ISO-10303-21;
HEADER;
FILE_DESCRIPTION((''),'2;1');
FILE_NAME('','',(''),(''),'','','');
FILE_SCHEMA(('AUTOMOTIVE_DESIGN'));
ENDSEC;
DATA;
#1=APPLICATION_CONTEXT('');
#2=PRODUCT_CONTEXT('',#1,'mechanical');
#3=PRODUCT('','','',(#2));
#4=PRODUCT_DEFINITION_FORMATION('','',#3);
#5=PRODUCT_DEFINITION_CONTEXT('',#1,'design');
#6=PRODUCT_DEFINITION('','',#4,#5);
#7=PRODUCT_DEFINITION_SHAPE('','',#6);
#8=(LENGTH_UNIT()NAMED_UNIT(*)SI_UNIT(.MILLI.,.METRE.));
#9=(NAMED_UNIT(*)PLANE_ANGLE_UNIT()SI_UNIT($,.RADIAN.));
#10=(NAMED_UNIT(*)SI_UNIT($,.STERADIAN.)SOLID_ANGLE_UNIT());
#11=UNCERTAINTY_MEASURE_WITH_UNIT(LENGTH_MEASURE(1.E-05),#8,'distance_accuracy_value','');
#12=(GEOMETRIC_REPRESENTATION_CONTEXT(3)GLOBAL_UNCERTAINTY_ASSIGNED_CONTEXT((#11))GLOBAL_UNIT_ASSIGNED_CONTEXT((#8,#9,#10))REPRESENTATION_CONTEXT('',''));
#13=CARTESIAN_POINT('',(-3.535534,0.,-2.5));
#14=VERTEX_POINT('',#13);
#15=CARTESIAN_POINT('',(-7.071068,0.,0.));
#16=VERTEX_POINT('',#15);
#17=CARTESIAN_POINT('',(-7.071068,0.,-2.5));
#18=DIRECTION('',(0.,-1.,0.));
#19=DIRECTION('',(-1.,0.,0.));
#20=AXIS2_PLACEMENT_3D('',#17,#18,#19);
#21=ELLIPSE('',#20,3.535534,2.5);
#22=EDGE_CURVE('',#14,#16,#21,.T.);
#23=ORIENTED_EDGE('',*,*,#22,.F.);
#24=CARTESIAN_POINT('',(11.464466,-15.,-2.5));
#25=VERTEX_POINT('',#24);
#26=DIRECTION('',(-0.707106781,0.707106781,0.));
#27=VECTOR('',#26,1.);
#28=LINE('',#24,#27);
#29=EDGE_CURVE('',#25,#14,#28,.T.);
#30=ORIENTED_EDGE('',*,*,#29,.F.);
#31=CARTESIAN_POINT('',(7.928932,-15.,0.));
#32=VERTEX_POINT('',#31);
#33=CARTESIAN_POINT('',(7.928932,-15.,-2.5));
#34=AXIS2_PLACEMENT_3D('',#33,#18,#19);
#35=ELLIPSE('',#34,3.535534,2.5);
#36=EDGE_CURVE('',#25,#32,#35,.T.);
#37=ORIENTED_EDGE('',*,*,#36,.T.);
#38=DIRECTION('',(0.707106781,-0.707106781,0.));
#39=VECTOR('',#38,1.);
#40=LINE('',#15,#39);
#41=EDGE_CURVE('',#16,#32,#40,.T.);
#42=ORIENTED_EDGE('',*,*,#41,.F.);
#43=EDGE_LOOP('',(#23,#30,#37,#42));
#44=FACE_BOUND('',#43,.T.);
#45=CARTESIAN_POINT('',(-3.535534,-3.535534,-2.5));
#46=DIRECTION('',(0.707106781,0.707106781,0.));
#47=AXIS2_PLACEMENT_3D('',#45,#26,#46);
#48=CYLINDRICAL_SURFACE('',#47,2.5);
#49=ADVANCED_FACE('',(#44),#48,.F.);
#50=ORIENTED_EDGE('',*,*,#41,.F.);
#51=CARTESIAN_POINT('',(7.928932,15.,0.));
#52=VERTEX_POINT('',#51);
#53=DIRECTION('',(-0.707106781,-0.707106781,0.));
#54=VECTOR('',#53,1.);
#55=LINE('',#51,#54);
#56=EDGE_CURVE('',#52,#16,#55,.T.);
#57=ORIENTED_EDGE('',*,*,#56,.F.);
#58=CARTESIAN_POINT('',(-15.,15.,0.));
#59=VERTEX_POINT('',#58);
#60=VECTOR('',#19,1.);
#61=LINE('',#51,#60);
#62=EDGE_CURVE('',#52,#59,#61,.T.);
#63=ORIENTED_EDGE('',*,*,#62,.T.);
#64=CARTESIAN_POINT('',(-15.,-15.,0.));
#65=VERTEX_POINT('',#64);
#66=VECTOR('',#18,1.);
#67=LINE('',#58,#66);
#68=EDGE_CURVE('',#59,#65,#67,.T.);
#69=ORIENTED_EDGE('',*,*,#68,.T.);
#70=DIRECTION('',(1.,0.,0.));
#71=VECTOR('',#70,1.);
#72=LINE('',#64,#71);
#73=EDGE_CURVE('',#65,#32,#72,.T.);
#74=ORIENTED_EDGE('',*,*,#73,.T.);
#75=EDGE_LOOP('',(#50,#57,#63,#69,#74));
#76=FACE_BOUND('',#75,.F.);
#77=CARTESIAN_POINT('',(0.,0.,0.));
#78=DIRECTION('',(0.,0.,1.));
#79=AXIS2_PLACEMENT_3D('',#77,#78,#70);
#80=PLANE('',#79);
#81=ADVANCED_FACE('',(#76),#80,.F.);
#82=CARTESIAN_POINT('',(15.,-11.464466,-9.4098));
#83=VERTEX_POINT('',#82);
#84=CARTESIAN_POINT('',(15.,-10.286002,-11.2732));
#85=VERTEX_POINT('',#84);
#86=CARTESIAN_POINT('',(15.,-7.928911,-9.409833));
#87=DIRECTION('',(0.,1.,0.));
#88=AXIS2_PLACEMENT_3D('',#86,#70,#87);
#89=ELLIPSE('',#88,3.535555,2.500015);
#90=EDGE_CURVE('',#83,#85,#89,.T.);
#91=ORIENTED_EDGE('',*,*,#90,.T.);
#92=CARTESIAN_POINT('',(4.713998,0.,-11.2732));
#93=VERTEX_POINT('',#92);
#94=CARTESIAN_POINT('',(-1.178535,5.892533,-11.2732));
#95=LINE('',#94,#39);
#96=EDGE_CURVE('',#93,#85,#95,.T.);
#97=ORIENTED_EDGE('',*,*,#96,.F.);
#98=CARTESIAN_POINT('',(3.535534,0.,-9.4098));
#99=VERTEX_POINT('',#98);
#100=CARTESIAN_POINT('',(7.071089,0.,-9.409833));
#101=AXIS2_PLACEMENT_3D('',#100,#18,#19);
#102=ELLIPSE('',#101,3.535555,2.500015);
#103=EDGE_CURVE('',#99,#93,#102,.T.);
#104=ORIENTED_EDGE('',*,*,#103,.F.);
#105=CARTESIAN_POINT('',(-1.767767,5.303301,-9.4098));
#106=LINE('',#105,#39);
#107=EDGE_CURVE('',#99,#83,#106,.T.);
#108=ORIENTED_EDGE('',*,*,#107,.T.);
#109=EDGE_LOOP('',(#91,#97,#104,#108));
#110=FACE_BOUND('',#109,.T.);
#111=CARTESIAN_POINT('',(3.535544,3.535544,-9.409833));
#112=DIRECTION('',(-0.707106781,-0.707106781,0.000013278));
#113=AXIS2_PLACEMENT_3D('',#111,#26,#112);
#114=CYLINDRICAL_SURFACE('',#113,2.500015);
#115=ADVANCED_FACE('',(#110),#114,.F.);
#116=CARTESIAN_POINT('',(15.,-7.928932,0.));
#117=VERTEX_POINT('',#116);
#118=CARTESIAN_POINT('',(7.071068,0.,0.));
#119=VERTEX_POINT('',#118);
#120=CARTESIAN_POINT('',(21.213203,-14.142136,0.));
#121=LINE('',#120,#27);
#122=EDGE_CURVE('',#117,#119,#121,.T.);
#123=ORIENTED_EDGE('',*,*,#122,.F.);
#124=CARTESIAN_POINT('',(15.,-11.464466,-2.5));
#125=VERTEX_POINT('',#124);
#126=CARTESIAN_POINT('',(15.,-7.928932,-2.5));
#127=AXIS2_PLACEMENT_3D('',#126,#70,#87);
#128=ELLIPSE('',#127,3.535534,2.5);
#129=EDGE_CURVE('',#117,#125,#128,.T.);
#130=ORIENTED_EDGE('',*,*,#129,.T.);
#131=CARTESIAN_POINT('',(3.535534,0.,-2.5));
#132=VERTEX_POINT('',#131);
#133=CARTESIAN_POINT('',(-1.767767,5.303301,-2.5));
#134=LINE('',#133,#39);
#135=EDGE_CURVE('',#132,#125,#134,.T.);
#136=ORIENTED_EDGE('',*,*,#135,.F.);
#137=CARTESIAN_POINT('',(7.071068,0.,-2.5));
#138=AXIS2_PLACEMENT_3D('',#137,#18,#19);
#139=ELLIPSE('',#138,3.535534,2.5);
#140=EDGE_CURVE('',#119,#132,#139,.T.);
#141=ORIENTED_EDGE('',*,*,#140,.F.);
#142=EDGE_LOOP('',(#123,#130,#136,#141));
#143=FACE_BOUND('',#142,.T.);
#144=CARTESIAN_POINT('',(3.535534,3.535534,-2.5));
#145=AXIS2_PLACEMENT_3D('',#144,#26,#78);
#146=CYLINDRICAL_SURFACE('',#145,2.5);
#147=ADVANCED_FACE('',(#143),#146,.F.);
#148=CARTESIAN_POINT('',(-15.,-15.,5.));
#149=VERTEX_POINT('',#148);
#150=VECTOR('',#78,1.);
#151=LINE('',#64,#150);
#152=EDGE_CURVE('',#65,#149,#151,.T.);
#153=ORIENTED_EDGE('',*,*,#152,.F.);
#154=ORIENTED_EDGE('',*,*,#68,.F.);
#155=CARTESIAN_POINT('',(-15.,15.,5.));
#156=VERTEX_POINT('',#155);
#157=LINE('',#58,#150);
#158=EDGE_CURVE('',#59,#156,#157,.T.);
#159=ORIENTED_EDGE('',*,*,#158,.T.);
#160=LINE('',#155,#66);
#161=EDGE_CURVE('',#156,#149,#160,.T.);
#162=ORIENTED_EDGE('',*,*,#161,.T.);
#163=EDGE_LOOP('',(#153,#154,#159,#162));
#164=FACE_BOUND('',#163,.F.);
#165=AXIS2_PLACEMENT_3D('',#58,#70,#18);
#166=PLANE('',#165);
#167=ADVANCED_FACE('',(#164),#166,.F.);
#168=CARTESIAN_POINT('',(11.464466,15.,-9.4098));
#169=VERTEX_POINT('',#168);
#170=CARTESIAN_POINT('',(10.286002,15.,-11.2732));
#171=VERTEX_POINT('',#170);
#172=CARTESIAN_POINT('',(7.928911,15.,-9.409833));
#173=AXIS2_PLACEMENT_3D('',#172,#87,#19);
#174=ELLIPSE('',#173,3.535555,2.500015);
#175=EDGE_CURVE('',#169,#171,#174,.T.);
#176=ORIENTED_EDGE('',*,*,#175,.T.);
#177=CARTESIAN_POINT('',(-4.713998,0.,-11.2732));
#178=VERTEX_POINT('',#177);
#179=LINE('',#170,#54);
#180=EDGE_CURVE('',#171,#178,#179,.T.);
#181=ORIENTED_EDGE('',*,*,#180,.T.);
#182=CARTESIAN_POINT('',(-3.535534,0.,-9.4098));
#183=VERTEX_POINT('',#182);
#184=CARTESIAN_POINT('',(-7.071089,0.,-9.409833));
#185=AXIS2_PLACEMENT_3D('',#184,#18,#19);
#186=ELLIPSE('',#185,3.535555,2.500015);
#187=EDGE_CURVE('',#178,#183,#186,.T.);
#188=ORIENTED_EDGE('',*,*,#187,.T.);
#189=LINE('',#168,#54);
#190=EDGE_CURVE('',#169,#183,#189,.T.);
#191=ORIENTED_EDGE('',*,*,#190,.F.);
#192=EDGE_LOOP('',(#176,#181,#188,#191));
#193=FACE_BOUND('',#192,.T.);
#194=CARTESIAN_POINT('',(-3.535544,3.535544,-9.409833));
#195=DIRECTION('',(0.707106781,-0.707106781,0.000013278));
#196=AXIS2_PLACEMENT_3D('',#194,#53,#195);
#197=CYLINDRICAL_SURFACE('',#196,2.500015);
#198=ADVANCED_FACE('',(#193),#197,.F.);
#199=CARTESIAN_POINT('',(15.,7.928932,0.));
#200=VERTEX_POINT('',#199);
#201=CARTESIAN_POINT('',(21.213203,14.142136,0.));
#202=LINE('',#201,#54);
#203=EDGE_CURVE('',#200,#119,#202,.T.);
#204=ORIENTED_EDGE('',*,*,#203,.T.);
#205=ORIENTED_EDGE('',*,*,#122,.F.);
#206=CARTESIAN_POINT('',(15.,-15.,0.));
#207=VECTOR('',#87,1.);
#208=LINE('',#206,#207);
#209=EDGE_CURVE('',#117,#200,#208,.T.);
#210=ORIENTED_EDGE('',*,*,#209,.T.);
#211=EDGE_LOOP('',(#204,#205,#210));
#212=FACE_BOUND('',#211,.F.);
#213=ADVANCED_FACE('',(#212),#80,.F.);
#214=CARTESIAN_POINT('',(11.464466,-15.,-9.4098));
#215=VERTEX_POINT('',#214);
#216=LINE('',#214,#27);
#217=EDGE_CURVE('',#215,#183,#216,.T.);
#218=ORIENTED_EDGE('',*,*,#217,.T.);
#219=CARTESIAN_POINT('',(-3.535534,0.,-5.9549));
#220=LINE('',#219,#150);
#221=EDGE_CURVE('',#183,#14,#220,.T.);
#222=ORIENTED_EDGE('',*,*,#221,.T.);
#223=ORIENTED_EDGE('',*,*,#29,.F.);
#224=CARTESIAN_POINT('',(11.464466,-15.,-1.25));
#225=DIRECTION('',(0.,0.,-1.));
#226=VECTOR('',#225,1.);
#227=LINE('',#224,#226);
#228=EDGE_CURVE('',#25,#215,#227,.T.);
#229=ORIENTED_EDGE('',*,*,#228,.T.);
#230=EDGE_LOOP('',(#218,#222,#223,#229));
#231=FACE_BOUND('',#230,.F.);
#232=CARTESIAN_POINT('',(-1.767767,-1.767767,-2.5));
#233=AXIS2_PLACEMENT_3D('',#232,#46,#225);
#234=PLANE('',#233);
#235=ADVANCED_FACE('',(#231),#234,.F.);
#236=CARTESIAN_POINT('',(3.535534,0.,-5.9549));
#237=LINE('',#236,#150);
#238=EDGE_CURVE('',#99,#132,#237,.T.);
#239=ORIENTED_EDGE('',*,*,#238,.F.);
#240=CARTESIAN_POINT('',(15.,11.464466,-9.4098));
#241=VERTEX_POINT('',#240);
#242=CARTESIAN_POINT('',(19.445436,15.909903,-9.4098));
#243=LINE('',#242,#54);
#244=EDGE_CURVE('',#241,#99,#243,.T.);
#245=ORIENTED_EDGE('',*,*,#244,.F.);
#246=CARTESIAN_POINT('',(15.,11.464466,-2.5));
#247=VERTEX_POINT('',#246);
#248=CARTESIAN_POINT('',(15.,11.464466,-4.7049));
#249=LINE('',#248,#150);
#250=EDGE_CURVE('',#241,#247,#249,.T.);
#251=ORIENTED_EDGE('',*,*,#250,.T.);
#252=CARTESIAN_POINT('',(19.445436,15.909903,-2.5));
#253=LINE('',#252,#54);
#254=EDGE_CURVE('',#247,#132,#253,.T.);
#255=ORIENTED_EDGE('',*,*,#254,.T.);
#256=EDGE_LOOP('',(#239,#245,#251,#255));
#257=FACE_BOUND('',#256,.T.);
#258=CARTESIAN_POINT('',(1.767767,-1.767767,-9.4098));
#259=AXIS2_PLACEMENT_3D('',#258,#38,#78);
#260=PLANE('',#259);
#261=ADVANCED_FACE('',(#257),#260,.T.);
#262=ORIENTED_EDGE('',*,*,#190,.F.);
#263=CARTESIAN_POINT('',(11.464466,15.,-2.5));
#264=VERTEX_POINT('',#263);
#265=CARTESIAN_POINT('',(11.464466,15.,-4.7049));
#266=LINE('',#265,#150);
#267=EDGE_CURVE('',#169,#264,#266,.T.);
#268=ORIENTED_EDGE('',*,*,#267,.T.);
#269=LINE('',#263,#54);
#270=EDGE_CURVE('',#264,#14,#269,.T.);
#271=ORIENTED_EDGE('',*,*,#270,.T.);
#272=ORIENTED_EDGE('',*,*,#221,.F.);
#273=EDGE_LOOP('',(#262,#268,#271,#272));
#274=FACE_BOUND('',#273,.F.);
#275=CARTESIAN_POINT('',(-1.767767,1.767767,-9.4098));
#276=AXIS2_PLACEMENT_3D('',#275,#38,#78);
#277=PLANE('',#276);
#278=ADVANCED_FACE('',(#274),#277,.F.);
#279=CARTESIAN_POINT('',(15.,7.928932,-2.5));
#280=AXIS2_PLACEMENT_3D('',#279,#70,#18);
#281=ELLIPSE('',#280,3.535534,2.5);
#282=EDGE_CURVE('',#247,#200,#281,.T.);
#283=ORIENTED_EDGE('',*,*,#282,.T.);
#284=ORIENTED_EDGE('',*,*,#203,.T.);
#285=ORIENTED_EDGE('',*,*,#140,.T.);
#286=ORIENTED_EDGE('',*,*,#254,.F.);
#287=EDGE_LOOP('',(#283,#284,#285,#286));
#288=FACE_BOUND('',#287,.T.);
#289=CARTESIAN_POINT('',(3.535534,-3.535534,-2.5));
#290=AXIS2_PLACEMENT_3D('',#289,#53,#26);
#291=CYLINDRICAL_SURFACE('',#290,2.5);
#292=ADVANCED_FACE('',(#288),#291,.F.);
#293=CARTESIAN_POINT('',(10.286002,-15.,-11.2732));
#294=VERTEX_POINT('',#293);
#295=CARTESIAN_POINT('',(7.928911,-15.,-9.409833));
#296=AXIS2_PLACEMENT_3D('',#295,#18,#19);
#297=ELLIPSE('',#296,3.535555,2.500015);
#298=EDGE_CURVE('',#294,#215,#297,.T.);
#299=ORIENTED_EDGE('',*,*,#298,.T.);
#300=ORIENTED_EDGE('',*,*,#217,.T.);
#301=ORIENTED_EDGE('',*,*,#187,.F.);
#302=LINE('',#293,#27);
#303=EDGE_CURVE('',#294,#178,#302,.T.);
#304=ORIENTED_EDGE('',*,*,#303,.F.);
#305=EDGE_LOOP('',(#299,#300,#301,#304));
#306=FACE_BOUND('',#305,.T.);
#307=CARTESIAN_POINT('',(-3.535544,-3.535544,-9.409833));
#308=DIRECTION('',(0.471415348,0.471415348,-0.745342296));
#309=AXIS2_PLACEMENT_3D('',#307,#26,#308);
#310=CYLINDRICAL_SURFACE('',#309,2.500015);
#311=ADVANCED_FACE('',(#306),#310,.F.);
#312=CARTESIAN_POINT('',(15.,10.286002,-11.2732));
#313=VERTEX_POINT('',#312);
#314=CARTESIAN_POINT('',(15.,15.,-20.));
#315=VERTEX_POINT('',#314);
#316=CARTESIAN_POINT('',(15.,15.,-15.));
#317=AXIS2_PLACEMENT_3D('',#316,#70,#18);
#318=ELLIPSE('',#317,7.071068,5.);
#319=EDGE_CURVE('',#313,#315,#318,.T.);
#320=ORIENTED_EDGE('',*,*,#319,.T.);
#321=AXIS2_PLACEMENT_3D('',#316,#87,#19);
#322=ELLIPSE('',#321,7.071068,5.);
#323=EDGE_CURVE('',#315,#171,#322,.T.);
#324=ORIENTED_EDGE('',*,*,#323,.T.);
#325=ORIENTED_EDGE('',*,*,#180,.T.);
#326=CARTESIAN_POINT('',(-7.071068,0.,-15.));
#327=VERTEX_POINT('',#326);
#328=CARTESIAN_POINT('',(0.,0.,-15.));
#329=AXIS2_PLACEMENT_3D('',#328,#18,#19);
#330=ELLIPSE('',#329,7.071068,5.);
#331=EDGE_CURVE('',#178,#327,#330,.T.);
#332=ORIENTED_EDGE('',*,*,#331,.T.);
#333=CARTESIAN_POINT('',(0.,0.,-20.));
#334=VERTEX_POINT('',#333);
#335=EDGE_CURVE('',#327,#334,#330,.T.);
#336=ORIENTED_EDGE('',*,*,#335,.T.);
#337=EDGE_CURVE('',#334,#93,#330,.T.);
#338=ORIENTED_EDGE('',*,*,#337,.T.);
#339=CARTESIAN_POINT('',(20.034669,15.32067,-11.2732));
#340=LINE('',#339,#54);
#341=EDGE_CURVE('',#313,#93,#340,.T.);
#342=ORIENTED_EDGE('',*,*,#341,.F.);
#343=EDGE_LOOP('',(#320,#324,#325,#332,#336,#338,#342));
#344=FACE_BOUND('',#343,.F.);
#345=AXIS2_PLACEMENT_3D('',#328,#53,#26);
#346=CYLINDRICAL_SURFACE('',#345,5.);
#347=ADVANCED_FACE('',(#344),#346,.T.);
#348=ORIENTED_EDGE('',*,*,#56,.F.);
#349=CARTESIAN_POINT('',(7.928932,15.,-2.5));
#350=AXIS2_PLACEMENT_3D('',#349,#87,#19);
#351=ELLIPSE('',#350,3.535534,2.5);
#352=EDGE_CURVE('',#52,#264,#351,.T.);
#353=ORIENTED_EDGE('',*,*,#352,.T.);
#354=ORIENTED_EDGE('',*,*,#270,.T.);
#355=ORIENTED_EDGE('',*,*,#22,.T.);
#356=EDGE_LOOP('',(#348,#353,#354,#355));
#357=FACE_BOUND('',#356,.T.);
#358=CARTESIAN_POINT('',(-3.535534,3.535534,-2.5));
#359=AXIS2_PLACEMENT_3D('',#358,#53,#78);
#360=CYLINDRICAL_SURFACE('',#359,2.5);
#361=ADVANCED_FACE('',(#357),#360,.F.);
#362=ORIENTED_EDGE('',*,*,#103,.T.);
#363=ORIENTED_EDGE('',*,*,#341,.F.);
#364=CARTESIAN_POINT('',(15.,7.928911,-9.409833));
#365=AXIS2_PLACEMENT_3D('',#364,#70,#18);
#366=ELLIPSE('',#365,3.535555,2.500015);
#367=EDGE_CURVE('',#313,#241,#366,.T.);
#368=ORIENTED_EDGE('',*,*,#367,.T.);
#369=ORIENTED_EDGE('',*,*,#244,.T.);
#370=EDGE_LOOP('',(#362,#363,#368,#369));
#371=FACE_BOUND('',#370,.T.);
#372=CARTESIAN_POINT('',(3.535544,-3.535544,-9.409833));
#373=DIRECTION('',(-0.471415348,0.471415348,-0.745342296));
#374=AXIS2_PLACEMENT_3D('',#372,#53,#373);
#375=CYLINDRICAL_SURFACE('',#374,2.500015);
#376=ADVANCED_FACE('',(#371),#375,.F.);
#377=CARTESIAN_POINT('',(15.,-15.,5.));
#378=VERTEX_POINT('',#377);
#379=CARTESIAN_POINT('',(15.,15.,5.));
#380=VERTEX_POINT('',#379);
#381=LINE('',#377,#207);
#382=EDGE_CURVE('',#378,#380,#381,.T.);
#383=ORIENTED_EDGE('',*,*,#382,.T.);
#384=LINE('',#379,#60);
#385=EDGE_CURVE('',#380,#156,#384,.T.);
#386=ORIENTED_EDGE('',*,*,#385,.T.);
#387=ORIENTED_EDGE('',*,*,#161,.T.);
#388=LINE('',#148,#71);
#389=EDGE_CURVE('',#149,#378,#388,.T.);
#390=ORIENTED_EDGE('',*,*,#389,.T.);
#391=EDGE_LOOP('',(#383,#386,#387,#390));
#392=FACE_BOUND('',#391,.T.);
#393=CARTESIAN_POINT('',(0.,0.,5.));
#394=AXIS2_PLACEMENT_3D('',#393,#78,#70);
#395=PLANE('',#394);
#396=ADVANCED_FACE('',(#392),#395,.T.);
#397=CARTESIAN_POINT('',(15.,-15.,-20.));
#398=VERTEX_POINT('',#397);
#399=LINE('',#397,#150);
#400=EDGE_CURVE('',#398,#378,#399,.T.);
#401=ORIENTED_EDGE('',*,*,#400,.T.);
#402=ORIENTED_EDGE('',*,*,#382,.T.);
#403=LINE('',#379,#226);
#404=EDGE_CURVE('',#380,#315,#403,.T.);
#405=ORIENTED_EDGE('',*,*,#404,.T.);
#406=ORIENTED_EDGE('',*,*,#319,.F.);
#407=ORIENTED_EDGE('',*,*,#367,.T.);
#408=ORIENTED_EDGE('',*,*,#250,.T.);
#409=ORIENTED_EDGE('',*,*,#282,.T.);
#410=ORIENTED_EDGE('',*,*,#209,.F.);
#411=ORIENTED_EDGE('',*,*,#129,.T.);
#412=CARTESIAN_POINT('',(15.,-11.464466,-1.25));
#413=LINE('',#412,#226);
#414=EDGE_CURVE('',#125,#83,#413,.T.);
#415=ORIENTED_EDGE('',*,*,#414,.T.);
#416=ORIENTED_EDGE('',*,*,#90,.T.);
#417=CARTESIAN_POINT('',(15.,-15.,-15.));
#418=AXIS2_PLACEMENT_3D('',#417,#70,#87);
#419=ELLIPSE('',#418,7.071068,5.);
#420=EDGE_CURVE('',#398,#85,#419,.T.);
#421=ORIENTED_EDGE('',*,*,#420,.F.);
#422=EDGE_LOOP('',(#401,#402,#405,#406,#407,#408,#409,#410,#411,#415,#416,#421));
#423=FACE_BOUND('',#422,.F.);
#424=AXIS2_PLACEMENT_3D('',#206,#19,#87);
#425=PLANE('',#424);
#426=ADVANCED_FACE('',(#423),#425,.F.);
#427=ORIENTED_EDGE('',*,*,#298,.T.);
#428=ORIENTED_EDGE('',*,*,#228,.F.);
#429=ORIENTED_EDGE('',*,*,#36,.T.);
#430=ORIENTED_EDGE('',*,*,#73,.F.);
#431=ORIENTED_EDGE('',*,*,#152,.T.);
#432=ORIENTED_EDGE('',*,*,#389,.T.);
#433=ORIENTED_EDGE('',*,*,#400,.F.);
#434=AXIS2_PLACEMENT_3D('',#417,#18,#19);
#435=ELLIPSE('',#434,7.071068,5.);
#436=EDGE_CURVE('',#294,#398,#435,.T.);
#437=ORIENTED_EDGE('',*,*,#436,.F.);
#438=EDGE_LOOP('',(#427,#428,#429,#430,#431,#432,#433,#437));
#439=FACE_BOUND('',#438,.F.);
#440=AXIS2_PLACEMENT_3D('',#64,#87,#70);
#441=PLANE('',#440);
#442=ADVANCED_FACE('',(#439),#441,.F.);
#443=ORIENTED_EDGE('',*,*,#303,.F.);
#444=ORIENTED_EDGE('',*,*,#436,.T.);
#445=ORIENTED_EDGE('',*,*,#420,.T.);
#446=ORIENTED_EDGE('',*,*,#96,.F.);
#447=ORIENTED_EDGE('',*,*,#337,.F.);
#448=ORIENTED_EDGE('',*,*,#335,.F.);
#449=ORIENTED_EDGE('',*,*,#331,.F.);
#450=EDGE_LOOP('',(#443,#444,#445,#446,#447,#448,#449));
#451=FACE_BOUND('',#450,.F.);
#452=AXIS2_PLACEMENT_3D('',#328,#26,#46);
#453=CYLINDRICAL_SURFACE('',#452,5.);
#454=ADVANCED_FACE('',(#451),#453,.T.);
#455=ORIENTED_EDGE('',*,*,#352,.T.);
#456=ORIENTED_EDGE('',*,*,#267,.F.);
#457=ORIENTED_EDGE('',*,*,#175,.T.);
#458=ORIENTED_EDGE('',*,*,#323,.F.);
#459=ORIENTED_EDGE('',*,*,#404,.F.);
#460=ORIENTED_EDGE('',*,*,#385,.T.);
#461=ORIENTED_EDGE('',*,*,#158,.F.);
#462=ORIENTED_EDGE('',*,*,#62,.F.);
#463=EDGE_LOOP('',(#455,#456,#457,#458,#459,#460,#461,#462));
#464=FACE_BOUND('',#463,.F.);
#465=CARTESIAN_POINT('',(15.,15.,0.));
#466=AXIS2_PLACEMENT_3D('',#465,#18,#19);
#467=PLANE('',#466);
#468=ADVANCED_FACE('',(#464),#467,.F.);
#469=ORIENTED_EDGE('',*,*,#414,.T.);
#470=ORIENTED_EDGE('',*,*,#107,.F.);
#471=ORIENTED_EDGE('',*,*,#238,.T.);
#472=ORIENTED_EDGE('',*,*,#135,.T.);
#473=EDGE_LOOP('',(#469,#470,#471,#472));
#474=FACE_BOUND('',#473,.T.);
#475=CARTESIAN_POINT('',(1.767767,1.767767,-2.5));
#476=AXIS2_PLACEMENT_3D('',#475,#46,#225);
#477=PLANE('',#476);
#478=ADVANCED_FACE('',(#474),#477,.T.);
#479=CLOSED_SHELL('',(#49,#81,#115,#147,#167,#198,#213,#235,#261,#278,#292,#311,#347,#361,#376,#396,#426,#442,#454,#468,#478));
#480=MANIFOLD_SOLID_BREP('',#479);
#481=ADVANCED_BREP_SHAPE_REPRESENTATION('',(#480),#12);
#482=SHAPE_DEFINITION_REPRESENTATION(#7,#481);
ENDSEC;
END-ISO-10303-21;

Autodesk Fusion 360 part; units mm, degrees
sketch "Sketch1" plane through (0, 0, 0) normal (0, 0, 1) x (1, 0, 0)
  line L0 (-15, -15) -> (15, -15)
  line L1 (15, -15) -> (15, 15)
  line L2 (15, 15) -> (-15, 15)
  line L3 (-15, 15) -> (-15, -15)
  line L4 (-15, -15) -> (15, 15) construction
  line L5 (15, -15) -> (-15, 15) construction
  line L6 (-25, 25) -> (25, 25)
  line L7 (25, 25) -> (25, -25)
  line L8 (25, -25) -> (-25, -25)
  line L9 (-25, -25) -> (-25, 25)
  line L10 (15, -15) -> (25, -25) construction
  line L11 (-25, 25) -> (-15, 15) construction
  line L12 (15, 15) -> (25, 25) construction
  line L13 (-15, -15) -> (-25, -25) construction
  dimension "d1" = 30
  dimension "d2" = 30
  dimension "d23" = 10
  dimension "d24" = 10
  dimension "d25" = 10
  dimension "d26" = 10
extrude "Extrude1" add sketch "Sketch1" along normal blind 5 contours L0 L1 L2 L3
ref_plane "WorkPlane1" through (0, 0, 0) normal (0.7071, 0.7071, 0) x (-0.7071, 0.7071, 0)
ref_plane "WorkPlane2" through (0, 0, 0) normal (0.7071, -0.7071, 0) x (0.7071, 0.7071, 0)
sketch "Sketch2" plane through (0, 0, 0) normal (0.7071, 0.7071, 0) x (-0.7071, 0.7071, 0)
  circle A0 centre (0, -15) radius 5
  line L0 (2.5, -10.6699) -> (2.5, -2.5)
  line L1 (-2.5, -10.6699) -> (-2.5, -2.5)
  arc A1 (5, 0) -> (2.5, -2.5) centre (5, -2.5) ccw
  arc A2 (-2.5, -2.5) -> (-5, 0) centre (-5, -2.5) ccw
  line L2 (0, 0) -> (0, -15) construction
  line L3 (0, -7.5) -> (2.5, -7.5) construction
  line L4 (0, -7.5) -> (-2.5, -7.5) construction
  line L5 (21.2132, 0) -> (0, 0)
  line L6 (0, 0) -> (-21.2132, 0)
  line L7 (5, -2.5) -> (-5, -2.5) construction
  arc A3 (2.5, -9.4098) -> (3.3333, -11.2732) centre (5, -9.4098) ccw
  arc A4 (-3.3333, -11.2732) -> (-2.5, -9.4098) centre (-5, -9.4098) ccw
  line L8 (-17.2446, 0) -> (-17.2446, -26.2222)
  line L9 (-17.2446, -26.2222) -> (15.3661, -26.2222)
  line L10 (15.3661, -26.2222) -> (15.3661, 0)
  line L11 (0, -20) -> (0, -26.2222)
  dimension "d7" = 10
  dimension "d8" = 5
  dimension "d9" = 15
  dimension "d14" = 2.5
extrude "Extrude2" add sketch "Sketch2" along normal blind 25 and the other way blind 5 contours A0 | A0 L0 A3 | A0 L0 L1 A1 A2 L5 L6 | A0 L1 A4
sketch "Sketch3" plane through (0, 0, 0) normal (0.7071, -0.7071, 0) x (0.7071, 0.7071, 0)
  circle A0 centre (0, -15) radius 5
  line L0 (0, 0) -> (0, -15) construction
  line L1 (-2.5, -2.5) -> (-2.5, -9.4098)
  line L2 (2.5, -2.5) -> (2.5, -9.4098)
  line L3 (-21.2132, 0) -> (0, 0)
  line L4 (0, -5.6591) -> (2.5, -5.6591) construction
  line L5 (0, -5.6591) -> (-2.5, -5.6591) construction
  arc A1 (-3.3333, -11.2732) -> (-2.5, -9.4098) centre (-5, -9.4098) ccw
  arc A2 (2.5, -9.4098) -> (3.3333, -11.2732) centre (5, -9.4098) ccw
  arc A3 (-2.5, -2.5) -> (-5, 0) centre (-5, -2.5) ccw
  line L6 (0, 0) -> (16.2132, 0)
  arc A4 (5, 0) -> (2.5, -2.5) centre (5, -2.5) ccw
  line L7 (-15.7318, 0) -> (-15.7318, -22.3804)
  line L8 (-15.7318, -22.3804) -> (13.46, -22.3804)
  line L9 (13.46, -22.3804) -> (13.46, 0)
  line L10 (0, -20) -> (0, -22.3804)
  line L11 (0, 0) -> (0, -26.2222)
  dimension "d12" = 15
  dimension "d13" = 10
  dimension "d15" = 5
  dimension "d16" = 2.5
extrude "Extrude3" add sketch "Sketch3" along normal blind 25 and the other way blind 5 contours A0 L11 | A0 L2 A2 L6 A4 L11 | A0 L11 | A0 L1 L3 A1 A3 L11
extrude "Extrude4" cut sketch "Sketch1" against normal blind 20
extrude "Extrude5" cut sketch "Sketch2" along normal mid plane 30 contours A0 L0 A1 L5 A3 L9 L10 L11
extrude "Extrude6" cut sketch "Sketch3" along normal mid plane 30 contours A0 L1 L3 A1 A3 L7 L8 L10 L11
equation "d23 = d26"
equation "d24 = d26"
equation "d25 = d26"
